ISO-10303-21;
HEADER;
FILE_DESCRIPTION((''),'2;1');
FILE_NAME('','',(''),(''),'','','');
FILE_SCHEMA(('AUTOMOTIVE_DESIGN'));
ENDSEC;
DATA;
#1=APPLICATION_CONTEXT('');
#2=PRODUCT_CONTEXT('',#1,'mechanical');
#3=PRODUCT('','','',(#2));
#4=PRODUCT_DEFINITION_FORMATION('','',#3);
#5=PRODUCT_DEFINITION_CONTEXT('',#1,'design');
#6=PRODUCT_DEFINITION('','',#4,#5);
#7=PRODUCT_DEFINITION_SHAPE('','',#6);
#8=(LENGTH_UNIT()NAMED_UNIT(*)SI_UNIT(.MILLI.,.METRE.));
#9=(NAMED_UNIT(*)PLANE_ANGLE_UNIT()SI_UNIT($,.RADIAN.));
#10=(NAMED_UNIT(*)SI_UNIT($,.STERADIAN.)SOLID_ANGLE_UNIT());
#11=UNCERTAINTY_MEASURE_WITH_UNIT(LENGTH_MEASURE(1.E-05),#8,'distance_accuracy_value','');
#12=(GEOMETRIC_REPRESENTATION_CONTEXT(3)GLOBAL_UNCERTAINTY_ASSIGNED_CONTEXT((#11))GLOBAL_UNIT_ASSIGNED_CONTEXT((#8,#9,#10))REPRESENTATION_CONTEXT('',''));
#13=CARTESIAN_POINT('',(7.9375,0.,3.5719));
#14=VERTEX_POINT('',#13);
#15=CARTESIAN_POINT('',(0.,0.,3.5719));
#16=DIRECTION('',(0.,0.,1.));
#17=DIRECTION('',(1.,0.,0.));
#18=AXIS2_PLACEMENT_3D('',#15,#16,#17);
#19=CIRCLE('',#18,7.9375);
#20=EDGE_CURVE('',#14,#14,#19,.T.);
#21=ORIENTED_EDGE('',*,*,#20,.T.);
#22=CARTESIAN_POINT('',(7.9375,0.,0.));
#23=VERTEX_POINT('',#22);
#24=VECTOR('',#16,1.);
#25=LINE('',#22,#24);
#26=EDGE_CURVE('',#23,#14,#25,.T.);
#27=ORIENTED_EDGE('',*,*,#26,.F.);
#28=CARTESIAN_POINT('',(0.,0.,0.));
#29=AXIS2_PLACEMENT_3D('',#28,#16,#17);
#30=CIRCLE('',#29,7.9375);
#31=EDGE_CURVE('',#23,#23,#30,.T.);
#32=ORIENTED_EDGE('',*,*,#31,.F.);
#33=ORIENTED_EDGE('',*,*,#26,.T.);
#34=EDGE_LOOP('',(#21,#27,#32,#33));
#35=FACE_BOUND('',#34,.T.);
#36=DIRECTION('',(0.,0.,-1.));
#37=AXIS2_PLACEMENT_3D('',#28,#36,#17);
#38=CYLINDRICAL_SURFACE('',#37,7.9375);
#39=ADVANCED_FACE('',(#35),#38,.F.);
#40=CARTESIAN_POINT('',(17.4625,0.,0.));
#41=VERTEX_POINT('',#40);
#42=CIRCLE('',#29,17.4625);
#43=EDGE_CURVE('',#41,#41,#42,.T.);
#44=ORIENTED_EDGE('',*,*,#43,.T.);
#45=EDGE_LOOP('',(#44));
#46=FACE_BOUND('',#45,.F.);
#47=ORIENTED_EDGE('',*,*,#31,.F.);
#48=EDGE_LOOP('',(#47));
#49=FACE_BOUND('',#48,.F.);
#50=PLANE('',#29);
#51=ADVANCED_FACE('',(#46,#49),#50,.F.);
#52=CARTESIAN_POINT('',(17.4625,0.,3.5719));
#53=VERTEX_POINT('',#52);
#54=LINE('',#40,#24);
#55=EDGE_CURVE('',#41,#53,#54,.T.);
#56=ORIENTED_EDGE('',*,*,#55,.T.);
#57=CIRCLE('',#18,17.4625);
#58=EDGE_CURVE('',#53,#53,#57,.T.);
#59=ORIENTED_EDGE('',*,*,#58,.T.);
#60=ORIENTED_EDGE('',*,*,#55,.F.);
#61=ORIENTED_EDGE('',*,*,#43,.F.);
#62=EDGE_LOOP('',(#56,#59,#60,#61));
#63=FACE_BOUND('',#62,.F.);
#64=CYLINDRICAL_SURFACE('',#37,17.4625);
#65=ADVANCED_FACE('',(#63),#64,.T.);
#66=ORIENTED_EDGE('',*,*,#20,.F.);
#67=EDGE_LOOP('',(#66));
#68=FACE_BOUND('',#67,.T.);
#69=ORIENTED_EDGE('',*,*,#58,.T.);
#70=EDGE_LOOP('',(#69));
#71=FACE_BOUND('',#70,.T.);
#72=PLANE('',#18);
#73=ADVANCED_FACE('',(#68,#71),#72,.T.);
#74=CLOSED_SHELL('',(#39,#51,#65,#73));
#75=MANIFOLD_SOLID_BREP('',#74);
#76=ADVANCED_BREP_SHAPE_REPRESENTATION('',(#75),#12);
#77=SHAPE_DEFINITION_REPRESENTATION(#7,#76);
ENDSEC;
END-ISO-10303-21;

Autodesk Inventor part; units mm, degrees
ref_plane "YZ Plane" through (0, 0, 0) normal (1, 0, 0) x (0, 1, 0)
ref_plane "XZ Plane" through (0, 0, 0) normal (0, 1, 0) x (-1, 0, 0)
ref_plane "XY Plane" through (0, 0, 0) normal (0, 0, 1) x (1, 0, 0)
sketch "Sketch1" plane through (0, 0, 0) normal (0, 0, 1) x (1, 0, 0)
  circle A0 centre (0, 0) radius 7.9375
  circle A1 centre (0, 0) radius 17.4625
  dimension "d0" = 15.875
  dimension "d2" = 34.925
extrude "Extrusion1" add sketch "Sketch1" along normal blind 3.5719
properties part number "Thrust Bearing Assembly Bushing 1.000 Shaft Diameter 21-64 Long"
